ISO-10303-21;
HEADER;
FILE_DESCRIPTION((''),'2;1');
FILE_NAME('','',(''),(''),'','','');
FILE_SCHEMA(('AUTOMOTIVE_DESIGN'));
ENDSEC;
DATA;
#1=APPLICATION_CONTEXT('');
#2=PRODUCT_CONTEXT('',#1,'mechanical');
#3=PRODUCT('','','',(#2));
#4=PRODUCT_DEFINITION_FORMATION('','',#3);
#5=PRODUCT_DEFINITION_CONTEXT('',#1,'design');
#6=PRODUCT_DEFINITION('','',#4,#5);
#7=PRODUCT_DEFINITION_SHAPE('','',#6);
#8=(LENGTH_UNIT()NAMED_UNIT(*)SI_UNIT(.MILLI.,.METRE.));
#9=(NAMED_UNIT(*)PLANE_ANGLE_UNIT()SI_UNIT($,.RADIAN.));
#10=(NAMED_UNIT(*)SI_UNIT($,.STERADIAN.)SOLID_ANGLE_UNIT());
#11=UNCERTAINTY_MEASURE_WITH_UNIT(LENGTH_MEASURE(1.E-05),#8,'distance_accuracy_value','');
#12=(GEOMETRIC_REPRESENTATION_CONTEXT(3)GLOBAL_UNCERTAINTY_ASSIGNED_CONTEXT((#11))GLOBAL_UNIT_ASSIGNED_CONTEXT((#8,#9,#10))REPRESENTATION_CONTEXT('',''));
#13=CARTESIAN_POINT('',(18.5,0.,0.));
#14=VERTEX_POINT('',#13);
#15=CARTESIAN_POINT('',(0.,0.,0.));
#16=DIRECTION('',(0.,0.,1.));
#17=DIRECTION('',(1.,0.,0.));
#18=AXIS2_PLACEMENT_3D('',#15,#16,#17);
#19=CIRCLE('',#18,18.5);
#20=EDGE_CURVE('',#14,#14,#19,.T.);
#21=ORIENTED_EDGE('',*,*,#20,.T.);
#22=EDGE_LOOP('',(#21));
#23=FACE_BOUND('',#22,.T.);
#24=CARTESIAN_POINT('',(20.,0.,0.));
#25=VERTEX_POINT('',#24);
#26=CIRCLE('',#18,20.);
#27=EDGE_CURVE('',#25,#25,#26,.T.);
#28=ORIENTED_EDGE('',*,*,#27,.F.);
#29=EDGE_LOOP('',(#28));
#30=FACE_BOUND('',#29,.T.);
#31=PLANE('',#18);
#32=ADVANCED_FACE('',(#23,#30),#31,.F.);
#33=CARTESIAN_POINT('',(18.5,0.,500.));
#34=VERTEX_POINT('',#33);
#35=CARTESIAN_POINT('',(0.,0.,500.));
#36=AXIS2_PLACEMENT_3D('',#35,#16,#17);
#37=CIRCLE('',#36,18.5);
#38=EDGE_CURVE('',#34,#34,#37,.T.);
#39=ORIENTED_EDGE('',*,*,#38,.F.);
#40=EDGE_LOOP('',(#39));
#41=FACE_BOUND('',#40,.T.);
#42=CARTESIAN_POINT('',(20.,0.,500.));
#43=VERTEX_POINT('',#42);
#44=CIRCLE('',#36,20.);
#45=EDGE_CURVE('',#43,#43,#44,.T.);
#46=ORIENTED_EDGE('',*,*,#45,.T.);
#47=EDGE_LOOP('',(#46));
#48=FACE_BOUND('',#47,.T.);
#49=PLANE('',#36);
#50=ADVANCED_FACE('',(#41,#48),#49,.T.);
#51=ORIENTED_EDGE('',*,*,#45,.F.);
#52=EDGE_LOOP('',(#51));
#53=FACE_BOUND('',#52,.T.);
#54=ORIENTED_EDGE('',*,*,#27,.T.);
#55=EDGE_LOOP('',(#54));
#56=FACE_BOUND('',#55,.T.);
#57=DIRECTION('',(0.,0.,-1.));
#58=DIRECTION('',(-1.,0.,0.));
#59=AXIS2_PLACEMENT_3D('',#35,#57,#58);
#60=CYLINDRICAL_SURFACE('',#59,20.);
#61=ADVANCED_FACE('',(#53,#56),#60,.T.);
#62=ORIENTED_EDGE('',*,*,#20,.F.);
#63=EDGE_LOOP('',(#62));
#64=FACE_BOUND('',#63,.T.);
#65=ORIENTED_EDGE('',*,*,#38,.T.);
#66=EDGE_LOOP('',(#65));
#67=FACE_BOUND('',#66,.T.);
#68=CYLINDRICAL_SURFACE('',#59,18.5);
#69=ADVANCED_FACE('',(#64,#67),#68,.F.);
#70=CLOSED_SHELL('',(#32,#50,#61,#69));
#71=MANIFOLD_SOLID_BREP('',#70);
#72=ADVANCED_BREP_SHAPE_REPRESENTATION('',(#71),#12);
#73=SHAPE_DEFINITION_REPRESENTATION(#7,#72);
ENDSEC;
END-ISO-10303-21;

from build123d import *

# Parameters (mm, degrees)
SKETCH_1_R      = 20
SKETCH_1_R_2    = 18.5
EXTRUDE_1_DEPTH = 500


with BuildPart() as part:
    # 스케치1 → 보스-돌출1 (new body)
    with BuildSketch(Plane.XY):
        Circle(SKETCH_1_R)
        Circle(SKETCH_1_R_2, mode=Mode.SUBTRACT)
    extrude(amount=EXTRUDE_1_DEPTH)


solid = part.part
